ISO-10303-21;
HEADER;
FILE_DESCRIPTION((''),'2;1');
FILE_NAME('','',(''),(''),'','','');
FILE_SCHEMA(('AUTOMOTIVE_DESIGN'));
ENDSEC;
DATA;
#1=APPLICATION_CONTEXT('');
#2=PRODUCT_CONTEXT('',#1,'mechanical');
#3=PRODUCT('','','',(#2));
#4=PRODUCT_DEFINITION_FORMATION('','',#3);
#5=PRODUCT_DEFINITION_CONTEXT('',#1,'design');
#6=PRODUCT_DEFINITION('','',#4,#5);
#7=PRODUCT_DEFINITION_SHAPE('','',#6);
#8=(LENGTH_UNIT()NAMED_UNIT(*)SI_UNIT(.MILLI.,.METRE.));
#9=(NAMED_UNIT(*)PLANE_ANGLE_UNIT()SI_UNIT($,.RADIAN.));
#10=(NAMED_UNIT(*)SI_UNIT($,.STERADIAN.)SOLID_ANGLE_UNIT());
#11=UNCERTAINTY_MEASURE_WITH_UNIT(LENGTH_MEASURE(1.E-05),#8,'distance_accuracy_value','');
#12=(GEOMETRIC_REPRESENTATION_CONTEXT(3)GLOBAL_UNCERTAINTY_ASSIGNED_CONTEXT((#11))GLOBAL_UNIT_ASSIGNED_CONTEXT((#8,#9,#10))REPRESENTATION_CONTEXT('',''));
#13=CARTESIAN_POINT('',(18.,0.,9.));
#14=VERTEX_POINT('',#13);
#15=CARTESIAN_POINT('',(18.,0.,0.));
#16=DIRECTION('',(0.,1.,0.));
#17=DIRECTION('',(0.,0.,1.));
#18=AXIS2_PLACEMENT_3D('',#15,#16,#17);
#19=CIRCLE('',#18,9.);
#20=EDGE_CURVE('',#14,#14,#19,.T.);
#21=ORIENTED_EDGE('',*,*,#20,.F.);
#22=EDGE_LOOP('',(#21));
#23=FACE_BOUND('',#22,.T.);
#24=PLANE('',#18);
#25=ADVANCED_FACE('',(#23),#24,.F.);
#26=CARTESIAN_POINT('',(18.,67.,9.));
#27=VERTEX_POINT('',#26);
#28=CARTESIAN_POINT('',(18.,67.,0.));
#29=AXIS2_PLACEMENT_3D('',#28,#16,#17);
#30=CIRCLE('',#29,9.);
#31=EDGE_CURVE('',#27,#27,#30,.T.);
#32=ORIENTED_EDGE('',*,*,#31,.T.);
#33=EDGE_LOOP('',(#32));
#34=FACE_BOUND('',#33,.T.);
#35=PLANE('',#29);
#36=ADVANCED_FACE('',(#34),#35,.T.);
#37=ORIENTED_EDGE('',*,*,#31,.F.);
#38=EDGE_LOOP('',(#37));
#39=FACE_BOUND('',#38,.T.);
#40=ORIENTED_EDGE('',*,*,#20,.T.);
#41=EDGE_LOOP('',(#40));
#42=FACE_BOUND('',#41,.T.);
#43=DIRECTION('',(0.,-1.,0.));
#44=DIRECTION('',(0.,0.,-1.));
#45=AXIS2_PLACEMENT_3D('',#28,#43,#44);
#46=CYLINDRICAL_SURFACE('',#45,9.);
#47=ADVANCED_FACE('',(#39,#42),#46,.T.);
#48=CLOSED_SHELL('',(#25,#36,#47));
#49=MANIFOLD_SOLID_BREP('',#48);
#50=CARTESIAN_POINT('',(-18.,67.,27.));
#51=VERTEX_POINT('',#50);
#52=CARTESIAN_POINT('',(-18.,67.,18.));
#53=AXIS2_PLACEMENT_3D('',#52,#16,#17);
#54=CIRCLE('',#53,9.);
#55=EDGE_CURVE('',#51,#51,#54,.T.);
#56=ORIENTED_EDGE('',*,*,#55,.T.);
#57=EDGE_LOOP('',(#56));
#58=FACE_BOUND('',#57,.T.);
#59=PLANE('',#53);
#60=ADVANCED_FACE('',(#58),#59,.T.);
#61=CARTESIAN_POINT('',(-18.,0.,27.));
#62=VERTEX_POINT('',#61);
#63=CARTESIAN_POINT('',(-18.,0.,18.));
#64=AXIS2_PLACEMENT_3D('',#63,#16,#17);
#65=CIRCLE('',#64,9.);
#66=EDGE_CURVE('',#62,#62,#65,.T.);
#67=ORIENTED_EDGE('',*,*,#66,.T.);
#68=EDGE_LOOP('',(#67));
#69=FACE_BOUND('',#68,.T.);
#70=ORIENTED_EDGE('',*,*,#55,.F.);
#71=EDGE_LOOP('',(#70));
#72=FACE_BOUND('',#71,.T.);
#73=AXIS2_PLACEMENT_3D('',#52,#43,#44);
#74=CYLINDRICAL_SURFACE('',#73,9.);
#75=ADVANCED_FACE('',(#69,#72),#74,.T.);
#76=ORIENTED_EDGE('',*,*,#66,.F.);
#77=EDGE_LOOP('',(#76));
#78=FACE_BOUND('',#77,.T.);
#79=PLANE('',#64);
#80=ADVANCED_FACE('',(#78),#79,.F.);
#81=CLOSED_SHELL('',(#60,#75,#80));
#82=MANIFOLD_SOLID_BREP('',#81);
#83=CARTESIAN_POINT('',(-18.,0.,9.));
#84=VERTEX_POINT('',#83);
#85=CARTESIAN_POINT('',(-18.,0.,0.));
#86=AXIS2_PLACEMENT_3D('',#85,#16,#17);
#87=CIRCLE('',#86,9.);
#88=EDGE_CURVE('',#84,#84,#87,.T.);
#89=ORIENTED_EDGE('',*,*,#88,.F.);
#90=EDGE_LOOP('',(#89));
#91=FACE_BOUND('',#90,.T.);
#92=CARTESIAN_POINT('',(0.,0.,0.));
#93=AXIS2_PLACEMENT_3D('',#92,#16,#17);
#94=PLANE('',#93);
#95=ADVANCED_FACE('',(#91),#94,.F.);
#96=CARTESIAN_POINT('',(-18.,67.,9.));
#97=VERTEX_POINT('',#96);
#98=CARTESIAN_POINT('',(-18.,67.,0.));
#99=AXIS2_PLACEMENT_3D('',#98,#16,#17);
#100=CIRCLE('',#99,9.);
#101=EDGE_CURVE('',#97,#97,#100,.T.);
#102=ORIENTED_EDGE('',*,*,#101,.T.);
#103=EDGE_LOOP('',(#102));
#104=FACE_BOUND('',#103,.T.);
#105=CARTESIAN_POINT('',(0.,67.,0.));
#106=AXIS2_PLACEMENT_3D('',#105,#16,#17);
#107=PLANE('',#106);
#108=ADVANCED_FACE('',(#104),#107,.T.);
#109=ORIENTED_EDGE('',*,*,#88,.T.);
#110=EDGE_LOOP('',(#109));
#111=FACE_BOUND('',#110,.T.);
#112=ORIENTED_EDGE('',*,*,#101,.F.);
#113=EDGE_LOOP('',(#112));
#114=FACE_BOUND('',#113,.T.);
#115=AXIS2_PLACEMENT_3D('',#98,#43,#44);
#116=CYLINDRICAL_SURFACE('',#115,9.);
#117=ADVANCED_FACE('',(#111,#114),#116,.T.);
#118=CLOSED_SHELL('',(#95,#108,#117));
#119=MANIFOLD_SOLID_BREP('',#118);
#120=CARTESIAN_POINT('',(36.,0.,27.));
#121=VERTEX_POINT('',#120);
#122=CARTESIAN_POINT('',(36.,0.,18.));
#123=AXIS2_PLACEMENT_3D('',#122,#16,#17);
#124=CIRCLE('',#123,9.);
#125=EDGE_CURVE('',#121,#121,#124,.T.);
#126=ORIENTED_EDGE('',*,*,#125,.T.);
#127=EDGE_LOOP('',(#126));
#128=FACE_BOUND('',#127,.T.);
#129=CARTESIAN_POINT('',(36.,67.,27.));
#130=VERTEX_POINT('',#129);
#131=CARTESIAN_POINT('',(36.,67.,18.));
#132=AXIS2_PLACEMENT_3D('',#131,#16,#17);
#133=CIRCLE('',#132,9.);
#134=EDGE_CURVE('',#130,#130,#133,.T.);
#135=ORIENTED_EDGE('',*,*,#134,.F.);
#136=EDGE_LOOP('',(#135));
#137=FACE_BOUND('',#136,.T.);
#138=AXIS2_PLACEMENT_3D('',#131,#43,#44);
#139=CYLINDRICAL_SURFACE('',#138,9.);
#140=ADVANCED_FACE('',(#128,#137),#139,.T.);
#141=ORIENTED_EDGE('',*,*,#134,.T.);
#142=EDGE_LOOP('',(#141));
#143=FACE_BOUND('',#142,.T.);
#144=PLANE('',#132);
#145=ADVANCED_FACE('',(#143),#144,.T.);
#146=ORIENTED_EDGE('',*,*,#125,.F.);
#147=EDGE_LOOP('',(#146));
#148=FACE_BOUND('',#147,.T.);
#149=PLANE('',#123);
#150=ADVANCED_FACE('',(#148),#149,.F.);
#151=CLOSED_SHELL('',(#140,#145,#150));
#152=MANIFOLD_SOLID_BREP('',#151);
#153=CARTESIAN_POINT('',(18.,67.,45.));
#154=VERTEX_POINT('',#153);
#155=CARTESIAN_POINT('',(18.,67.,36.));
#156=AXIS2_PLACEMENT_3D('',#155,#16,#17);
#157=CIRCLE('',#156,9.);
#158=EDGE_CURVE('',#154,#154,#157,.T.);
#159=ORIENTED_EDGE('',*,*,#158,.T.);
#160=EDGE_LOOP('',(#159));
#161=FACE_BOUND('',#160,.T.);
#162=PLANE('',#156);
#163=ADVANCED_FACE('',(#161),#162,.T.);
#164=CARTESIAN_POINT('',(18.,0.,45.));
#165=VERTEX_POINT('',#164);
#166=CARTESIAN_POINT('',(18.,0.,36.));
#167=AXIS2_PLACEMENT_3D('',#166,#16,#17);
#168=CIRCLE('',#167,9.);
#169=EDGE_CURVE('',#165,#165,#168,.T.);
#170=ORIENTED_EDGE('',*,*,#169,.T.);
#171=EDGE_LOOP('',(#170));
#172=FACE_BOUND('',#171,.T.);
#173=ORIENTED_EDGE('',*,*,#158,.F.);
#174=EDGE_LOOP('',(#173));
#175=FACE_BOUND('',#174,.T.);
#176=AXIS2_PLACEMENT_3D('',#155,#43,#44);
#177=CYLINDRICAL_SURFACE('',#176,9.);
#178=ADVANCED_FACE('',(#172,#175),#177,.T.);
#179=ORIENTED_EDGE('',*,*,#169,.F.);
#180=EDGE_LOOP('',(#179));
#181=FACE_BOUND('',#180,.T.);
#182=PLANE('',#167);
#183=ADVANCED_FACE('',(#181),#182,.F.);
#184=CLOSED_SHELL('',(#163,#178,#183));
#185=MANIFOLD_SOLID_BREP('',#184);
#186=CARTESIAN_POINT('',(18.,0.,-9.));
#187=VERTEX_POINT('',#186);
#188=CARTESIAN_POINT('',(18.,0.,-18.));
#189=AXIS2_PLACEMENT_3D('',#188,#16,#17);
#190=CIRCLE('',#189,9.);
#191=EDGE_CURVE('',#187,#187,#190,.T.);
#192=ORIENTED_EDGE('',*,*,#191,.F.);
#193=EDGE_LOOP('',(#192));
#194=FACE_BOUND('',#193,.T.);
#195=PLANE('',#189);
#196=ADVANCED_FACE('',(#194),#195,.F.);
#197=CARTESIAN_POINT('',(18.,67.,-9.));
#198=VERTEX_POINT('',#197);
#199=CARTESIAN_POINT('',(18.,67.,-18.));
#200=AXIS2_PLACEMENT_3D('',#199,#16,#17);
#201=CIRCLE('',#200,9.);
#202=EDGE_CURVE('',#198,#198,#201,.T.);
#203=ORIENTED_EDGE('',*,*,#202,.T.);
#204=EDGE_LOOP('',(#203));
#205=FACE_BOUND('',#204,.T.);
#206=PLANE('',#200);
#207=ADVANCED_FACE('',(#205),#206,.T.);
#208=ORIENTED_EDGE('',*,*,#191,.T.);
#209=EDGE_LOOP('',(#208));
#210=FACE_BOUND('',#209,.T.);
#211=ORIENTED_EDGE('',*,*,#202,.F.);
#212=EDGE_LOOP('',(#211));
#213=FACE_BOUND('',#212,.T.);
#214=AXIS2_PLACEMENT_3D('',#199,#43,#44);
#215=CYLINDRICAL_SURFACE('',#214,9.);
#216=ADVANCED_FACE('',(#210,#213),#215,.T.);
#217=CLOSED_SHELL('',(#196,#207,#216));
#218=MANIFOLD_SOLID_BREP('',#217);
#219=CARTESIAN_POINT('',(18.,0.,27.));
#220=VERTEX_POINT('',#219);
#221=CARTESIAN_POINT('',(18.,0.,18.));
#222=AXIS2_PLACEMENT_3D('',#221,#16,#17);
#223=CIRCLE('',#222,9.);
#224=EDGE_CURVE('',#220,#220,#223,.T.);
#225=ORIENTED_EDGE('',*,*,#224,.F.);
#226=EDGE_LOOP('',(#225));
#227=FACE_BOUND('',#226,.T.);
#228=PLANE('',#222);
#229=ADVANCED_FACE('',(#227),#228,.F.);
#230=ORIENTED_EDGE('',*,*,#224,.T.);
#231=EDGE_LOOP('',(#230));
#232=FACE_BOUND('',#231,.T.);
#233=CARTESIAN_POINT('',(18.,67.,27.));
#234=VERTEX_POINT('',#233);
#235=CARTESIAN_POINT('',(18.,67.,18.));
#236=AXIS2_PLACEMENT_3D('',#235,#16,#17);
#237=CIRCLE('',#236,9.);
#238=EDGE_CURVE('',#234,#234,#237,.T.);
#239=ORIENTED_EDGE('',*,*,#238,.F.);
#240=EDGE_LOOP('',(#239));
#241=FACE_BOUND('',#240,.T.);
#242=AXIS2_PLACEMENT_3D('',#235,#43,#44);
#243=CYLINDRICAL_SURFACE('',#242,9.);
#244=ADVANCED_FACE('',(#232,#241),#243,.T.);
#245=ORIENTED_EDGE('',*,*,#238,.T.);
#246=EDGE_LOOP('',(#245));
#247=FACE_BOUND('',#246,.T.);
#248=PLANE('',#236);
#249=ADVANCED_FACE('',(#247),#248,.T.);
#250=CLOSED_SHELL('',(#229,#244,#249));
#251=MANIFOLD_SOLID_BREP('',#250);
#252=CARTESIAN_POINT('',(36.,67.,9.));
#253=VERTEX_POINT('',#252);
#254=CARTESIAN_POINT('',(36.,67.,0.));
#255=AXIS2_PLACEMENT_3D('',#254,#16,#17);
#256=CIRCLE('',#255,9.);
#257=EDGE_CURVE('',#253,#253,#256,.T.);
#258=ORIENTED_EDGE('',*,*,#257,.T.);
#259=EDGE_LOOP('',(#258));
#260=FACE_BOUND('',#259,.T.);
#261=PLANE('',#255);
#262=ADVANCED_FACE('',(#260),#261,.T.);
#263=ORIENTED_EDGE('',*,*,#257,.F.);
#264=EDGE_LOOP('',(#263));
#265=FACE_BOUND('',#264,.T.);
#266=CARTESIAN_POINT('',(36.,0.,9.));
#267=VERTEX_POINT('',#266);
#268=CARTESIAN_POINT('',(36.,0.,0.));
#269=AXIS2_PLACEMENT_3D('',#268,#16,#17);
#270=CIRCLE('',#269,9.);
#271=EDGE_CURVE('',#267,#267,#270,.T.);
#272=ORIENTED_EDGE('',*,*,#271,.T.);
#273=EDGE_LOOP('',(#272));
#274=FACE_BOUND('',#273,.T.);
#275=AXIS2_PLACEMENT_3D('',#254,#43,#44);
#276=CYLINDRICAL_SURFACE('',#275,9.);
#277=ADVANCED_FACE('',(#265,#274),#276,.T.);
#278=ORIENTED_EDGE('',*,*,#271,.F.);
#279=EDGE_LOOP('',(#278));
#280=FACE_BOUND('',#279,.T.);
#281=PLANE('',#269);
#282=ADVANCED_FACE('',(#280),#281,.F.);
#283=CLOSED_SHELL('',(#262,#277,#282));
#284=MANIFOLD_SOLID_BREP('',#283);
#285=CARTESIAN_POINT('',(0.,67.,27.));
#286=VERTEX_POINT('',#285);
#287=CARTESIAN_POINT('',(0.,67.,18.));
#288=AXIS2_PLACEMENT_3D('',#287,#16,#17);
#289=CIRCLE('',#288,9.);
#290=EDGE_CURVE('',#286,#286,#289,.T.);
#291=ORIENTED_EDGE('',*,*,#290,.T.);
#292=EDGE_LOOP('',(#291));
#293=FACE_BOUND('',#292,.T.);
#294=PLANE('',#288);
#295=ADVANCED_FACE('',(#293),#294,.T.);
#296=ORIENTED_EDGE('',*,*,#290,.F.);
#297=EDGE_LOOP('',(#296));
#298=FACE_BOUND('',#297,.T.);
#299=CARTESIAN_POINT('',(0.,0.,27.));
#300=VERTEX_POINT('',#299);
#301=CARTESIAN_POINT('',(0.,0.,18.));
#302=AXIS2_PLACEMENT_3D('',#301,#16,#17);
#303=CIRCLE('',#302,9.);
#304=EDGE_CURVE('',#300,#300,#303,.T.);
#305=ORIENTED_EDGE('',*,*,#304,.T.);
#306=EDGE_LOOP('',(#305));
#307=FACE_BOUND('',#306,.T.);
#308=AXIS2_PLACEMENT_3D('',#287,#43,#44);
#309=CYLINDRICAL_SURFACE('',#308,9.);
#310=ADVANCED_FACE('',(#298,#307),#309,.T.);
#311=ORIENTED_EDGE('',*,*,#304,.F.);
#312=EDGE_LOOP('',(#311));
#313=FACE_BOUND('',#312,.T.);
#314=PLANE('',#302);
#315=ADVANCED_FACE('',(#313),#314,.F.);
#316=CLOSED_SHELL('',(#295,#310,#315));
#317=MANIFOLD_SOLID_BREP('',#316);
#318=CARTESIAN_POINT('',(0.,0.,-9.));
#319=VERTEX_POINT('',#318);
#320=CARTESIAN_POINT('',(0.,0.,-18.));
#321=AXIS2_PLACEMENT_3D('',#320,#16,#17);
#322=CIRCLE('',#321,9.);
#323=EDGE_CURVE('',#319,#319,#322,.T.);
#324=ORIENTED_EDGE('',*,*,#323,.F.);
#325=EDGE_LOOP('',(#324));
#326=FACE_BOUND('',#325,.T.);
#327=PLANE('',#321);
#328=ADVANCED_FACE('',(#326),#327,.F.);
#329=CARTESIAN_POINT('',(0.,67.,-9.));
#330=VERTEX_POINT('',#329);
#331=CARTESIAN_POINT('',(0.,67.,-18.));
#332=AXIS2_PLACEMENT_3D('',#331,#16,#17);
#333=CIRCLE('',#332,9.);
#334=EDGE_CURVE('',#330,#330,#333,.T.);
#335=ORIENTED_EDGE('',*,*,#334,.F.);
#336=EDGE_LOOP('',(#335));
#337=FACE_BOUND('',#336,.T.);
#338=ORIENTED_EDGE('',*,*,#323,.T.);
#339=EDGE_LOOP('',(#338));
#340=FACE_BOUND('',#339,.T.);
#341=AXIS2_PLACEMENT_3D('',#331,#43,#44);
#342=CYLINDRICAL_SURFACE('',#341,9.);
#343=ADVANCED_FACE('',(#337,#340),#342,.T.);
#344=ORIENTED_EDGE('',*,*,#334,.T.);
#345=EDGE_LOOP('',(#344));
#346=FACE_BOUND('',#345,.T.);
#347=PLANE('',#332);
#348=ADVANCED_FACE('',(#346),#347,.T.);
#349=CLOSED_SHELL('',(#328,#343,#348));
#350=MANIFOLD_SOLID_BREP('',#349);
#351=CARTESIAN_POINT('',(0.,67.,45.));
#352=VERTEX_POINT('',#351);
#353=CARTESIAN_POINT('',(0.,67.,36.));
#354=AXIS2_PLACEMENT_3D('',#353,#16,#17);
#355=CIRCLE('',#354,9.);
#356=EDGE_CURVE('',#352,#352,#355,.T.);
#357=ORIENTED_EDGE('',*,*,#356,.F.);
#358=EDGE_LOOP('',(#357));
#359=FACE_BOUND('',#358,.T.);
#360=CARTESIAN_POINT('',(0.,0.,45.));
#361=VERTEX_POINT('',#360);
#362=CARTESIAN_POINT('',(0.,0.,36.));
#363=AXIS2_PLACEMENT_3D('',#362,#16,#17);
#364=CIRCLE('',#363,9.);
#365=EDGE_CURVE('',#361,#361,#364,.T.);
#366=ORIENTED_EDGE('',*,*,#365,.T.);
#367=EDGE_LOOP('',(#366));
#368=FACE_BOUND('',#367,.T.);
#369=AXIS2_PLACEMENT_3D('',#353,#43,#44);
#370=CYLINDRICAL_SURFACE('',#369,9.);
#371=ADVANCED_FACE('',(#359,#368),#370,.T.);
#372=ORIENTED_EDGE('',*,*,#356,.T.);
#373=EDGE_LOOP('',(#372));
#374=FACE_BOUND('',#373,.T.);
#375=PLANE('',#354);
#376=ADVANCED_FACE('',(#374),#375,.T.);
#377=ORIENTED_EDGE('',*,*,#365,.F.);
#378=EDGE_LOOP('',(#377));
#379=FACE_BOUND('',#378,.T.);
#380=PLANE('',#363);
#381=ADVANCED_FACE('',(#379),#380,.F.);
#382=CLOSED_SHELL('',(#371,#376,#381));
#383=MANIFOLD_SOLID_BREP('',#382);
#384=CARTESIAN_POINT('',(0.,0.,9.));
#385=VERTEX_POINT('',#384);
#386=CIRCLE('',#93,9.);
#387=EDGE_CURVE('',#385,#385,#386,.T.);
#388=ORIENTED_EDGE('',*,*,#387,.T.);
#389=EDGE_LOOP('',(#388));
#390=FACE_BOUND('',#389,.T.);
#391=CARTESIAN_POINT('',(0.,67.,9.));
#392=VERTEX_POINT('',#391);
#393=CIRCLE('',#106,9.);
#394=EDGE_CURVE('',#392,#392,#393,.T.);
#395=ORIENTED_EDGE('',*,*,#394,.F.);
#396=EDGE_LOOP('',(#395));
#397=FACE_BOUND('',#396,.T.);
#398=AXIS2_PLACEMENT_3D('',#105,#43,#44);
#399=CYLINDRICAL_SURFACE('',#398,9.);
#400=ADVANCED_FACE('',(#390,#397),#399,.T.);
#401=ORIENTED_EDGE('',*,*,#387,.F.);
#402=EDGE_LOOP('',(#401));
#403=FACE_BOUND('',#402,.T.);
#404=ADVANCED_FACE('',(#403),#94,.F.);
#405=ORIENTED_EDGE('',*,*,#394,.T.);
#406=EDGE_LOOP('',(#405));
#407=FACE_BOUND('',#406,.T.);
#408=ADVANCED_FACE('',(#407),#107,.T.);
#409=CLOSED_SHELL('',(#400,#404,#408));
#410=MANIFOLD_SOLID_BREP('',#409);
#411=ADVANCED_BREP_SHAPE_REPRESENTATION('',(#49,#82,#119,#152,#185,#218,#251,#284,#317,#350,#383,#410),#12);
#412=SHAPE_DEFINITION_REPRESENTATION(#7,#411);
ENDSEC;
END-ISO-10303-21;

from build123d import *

# Parameters (mm, degrees)
BOSS_EXTRUDE1_DEPTH    = 67
BOSS_EXTRUDE1_2_DEPTH  = 67
BOSS_EXTRUDE1_3_DEPTH  = 67
BOSS_EXTRUDE1_4_DEPTH  = 67
BOSS_EXTRUDE1_5_DEPTH  = 67
BOSS_EXTRUDE1_6_DEPTH  = 67
BOSS_EXTRUDE1_7_DEPTH  = 67
BOSS_EXTRUDE1_8_DEPTH  = 67
BOSS_EXTRUDE1_9_DEPTH  = 67
BOSS_EXTRUDE1_10_DEPTH = 67
BOSS_EXTRUDE1_11_DEPTH = 67
BOSS_EXTRUDE1_12_DEPTH = 67


with BuildPart() as part:
    # Sketch1 → Boss-Extrude1 (new body)
    with BuildSketch(Plane(origin=(0, 0, 0), x_dir=(1, 0, 0), z_dir=(0, 1, 0))):
        with BuildLine():
            ThreePointArc((-18, -9), (-11.636038969, -6.363961031), (-9, 0))
            ThreePointArc((-9, 0), (-24.363961031, 6.363961031), (-18, -9))
        make_face()
    extrude(amount=BOSS_EXTRUDE1_DEPTH)


with BuildPart() as body_2:
    # Sketch1 → Boss-Extrude1 2 (new body)
    with BuildSketch(Plane(origin=(0, 0, 0), x_dir=(1, 0, 0), z_dir=(0, 1, 0))):
        with BuildLine():
            ThreePointArc((2.3e-08, 9), (-6.363961022, 6.363961039), (-9, 0))
            ThreePointArc((-9, 0), (-6.363961031, -6.363961031), (0, -9))
            ThreePointArc((0, -9), (6.363961031, -6.363961031), (9, 0))
            ThreePointArc((9, 0), (6.363961039, 6.363961022), (2.3e-08, 9))
        make_face()
    extrude(amount=BOSS_EXTRUDE1_2_DEPTH)


with BuildPart() as body_3:
    # Sketch1 → Boss-Extrude1 3 (new body)
    with BuildSketch(Plane(origin=(0, 0, 0), x_dir=(1, 0, 0), z_dir=(0, 1, 0))):
        with BuildLine():
            ThreePointArc((-9, -18), (-11.636038969, -11.636038969), (-18, -9))
            ThreePointArc((-18, -9), (-24.363961031, -24.363961031), (-9, -18))
        make_face()
    extrude(amount=BOSS_EXTRUDE1_3_DEPTH)


with BuildPart() as body_4:
    # Sketch1 → Boss-Extrude1 4 (new body)
    with BuildSketch(Plane(origin=(0, 0, 0), x_dir=(1, 0, 0), z_dir=(0, 1, 0))):
        with BuildLine():
            ThreePointArc((9, 18), (-6.363961039, 24.363961022), (2.3e-08, 9))
            ThreePointArc((2.3e-08, 9), (6.363961039, 11.636038978), (9, 18))
        make_face()
    extrude(amount=BOSS_EXTRUDE1_4_DEPTH)


with BuildPart() as body_5:
    # Sketch1 → Boss-Extrude1 5 (new body)
    with BuildSketch(Plane(origin=(0, 0, 0), x_dir=(1, 0, 0), z_dir=(0, 1, 0))):
        with BuildLine():
            ThreePointArc((9, -18), (6.363961031, -11.636038969), (0, -9))
            ThreePointArc((0, -9), (-6.363961031, -11.636038969), (-9, -18))
            ThreePointArc((-9, -18), (-6.363961047, -24.363961014), (-4.7e-08, -27))
            ThreePointArc((-4.7e-08, -27), (6.363961014, -24.363961047), (9, -18))
        make_face()
    extrude(amount=BOSS_EXTRUDE1_5_DEPTH)


with BuildPart() as body_6:
    # Sketch1 → Boss-Extrude1 6 (new body)
    with BuildSketch(Plane(origin=(0, 0, 0), x_dir=(1, 0, 0), z_dir=(0, 1, 0))):
        with BuildLine():
            ThreePointArc((18, 9), (24.363961031, 24.363961031), (9, 18))
            ThreePointArc((9, 18), (11.636038969, 11.636038969), (18, 9))
        make_face()
    extrude(amount=BOSS_EXTRUDE1_6_DEPTH)


with BuildPart() as body_7:
    # Sketch1 → Boss-Extrude1 7 (new body)
    with BuildSketch(Plane(origin=(0, 0, 0), x_dir=(1, 0, 0), z_dir=(0, 1, 0))):
        with BuildLine():
            ThreePointArc((18, 9), (11.636038969, 6.363961031), (9, 0))
            ThreePointArc((9, 0), (11.636038969, -6.363961031), (18, -9))
            ThreePointArc((18, -9), (24.363961031, -6.363961031), (27, 0))
            ThreePointArc((27, 0), (24.363961031, 6.363961031), (18, 9))
        make_face()
    extrude(amount=BOSS_EXTRUDE1_7_DEPTH)


with BuildPart() as body_8:
    # Sketch1 → Boss-Extrude1 8 (new body)
    with BuildSketch(Plane(origin=(0, 0, 0), x_dir=(1, 0, 0), z_dir=(0, 1, 0))):
        with BuildLine():
            ThreePointArc((18, -9), (11.636038969, -11.636038969), (9, -18))
            ThreePointArc((9, -18), (11.636038969, -24.363961031), (18, -27))
            ThreePointArc((18, -27), (24.363961031, -24.363961031), (27, -18))
            ThreePointArc((27, -18), (24.363961031, -11.636038969), (18, -9))
        make_face()
    extrude(amount=BOSS_EXTRUDE1_8_DEPTH)


with BuildPart() as body_9:
    # Sketch1 → Boss-Extrude1 9 (new body)
    with BuildSketch(Plane(origin=(0, 0, 0), x_dir=(1, 0, 0), z_dir=(0, 1, 0))):
        with BuildLine():
            ThreePointArc((9, -36), (6.363961014, -29.636038953), (-4.7e-08, -27))
            ThreePointArc((-4.7e-08, -27), (-6.363961014, -42.363961047), (9, -36))
        make_face()
    extrude(amount=BOSS_EXTRUDE1_9_DEPTH)


with BuildPart() as body_10:
    # Sketch1 → Boss-Extrude1 10 (new body)
    with BuildSketch(Plane(origin=(0, 0, 0), x_dir=(1, 0, 0), z_dir=(0, 1, 0))):
        with BuildLine():
            ThreePointArc((9, -36), (24.363961031, -42.363961031), (18, -27))
            ThreePointArc((18, -27), (11.636038969, -29.636038969), (9, -36))
        make_face()
    extrude(amount=BOSS_EXTRUDE1_10_DEPTH)


with BuildPart() as body_11:
    # Sketch1 → Boss-Extrude1 11 (new body)
    with BuildSketch(Plane(origin=(0, 0, 0), x_dir=(1, 0, 0), z_dir=(0, 1, 0))):
        with BuildLine():
            ThreePointArc((36, -9), (42.363961031, 6.363961031), (27, 0))
            ThreePointArc((27, 0), (29.636038969, -6.363961031), (36, -9))
        make_face()
    extrude(amount=BOSS_EXTRUDE1_11_DEPTH)


with BuildPart() as body_12:
    # Sketch1 → Boss-Extrude1 12 (new body)
    with BuildSketch(Plane(origin=(0, 0, 0), x_dir=(1, 0, 0), z_dir=(0, 1, 0))):
        with BuildLine():
            ThreePointArc((36, -9), (29.636038969, -11.636038969), (27, -18))
            ThreePointArc((27, -18), (42.363961031, -24.363961031), (36, -9))
        make_face()
    extrude(amount=BOSS_EXTRUDE1_12_DEPTH)


solid = Compound([part.part, body_2.part, body_3.part, body_4.part, body_5.part, body_6.part, body_7.part, body_8.part, body_9.part, body_10.part, body_11.part, body_12.part])
